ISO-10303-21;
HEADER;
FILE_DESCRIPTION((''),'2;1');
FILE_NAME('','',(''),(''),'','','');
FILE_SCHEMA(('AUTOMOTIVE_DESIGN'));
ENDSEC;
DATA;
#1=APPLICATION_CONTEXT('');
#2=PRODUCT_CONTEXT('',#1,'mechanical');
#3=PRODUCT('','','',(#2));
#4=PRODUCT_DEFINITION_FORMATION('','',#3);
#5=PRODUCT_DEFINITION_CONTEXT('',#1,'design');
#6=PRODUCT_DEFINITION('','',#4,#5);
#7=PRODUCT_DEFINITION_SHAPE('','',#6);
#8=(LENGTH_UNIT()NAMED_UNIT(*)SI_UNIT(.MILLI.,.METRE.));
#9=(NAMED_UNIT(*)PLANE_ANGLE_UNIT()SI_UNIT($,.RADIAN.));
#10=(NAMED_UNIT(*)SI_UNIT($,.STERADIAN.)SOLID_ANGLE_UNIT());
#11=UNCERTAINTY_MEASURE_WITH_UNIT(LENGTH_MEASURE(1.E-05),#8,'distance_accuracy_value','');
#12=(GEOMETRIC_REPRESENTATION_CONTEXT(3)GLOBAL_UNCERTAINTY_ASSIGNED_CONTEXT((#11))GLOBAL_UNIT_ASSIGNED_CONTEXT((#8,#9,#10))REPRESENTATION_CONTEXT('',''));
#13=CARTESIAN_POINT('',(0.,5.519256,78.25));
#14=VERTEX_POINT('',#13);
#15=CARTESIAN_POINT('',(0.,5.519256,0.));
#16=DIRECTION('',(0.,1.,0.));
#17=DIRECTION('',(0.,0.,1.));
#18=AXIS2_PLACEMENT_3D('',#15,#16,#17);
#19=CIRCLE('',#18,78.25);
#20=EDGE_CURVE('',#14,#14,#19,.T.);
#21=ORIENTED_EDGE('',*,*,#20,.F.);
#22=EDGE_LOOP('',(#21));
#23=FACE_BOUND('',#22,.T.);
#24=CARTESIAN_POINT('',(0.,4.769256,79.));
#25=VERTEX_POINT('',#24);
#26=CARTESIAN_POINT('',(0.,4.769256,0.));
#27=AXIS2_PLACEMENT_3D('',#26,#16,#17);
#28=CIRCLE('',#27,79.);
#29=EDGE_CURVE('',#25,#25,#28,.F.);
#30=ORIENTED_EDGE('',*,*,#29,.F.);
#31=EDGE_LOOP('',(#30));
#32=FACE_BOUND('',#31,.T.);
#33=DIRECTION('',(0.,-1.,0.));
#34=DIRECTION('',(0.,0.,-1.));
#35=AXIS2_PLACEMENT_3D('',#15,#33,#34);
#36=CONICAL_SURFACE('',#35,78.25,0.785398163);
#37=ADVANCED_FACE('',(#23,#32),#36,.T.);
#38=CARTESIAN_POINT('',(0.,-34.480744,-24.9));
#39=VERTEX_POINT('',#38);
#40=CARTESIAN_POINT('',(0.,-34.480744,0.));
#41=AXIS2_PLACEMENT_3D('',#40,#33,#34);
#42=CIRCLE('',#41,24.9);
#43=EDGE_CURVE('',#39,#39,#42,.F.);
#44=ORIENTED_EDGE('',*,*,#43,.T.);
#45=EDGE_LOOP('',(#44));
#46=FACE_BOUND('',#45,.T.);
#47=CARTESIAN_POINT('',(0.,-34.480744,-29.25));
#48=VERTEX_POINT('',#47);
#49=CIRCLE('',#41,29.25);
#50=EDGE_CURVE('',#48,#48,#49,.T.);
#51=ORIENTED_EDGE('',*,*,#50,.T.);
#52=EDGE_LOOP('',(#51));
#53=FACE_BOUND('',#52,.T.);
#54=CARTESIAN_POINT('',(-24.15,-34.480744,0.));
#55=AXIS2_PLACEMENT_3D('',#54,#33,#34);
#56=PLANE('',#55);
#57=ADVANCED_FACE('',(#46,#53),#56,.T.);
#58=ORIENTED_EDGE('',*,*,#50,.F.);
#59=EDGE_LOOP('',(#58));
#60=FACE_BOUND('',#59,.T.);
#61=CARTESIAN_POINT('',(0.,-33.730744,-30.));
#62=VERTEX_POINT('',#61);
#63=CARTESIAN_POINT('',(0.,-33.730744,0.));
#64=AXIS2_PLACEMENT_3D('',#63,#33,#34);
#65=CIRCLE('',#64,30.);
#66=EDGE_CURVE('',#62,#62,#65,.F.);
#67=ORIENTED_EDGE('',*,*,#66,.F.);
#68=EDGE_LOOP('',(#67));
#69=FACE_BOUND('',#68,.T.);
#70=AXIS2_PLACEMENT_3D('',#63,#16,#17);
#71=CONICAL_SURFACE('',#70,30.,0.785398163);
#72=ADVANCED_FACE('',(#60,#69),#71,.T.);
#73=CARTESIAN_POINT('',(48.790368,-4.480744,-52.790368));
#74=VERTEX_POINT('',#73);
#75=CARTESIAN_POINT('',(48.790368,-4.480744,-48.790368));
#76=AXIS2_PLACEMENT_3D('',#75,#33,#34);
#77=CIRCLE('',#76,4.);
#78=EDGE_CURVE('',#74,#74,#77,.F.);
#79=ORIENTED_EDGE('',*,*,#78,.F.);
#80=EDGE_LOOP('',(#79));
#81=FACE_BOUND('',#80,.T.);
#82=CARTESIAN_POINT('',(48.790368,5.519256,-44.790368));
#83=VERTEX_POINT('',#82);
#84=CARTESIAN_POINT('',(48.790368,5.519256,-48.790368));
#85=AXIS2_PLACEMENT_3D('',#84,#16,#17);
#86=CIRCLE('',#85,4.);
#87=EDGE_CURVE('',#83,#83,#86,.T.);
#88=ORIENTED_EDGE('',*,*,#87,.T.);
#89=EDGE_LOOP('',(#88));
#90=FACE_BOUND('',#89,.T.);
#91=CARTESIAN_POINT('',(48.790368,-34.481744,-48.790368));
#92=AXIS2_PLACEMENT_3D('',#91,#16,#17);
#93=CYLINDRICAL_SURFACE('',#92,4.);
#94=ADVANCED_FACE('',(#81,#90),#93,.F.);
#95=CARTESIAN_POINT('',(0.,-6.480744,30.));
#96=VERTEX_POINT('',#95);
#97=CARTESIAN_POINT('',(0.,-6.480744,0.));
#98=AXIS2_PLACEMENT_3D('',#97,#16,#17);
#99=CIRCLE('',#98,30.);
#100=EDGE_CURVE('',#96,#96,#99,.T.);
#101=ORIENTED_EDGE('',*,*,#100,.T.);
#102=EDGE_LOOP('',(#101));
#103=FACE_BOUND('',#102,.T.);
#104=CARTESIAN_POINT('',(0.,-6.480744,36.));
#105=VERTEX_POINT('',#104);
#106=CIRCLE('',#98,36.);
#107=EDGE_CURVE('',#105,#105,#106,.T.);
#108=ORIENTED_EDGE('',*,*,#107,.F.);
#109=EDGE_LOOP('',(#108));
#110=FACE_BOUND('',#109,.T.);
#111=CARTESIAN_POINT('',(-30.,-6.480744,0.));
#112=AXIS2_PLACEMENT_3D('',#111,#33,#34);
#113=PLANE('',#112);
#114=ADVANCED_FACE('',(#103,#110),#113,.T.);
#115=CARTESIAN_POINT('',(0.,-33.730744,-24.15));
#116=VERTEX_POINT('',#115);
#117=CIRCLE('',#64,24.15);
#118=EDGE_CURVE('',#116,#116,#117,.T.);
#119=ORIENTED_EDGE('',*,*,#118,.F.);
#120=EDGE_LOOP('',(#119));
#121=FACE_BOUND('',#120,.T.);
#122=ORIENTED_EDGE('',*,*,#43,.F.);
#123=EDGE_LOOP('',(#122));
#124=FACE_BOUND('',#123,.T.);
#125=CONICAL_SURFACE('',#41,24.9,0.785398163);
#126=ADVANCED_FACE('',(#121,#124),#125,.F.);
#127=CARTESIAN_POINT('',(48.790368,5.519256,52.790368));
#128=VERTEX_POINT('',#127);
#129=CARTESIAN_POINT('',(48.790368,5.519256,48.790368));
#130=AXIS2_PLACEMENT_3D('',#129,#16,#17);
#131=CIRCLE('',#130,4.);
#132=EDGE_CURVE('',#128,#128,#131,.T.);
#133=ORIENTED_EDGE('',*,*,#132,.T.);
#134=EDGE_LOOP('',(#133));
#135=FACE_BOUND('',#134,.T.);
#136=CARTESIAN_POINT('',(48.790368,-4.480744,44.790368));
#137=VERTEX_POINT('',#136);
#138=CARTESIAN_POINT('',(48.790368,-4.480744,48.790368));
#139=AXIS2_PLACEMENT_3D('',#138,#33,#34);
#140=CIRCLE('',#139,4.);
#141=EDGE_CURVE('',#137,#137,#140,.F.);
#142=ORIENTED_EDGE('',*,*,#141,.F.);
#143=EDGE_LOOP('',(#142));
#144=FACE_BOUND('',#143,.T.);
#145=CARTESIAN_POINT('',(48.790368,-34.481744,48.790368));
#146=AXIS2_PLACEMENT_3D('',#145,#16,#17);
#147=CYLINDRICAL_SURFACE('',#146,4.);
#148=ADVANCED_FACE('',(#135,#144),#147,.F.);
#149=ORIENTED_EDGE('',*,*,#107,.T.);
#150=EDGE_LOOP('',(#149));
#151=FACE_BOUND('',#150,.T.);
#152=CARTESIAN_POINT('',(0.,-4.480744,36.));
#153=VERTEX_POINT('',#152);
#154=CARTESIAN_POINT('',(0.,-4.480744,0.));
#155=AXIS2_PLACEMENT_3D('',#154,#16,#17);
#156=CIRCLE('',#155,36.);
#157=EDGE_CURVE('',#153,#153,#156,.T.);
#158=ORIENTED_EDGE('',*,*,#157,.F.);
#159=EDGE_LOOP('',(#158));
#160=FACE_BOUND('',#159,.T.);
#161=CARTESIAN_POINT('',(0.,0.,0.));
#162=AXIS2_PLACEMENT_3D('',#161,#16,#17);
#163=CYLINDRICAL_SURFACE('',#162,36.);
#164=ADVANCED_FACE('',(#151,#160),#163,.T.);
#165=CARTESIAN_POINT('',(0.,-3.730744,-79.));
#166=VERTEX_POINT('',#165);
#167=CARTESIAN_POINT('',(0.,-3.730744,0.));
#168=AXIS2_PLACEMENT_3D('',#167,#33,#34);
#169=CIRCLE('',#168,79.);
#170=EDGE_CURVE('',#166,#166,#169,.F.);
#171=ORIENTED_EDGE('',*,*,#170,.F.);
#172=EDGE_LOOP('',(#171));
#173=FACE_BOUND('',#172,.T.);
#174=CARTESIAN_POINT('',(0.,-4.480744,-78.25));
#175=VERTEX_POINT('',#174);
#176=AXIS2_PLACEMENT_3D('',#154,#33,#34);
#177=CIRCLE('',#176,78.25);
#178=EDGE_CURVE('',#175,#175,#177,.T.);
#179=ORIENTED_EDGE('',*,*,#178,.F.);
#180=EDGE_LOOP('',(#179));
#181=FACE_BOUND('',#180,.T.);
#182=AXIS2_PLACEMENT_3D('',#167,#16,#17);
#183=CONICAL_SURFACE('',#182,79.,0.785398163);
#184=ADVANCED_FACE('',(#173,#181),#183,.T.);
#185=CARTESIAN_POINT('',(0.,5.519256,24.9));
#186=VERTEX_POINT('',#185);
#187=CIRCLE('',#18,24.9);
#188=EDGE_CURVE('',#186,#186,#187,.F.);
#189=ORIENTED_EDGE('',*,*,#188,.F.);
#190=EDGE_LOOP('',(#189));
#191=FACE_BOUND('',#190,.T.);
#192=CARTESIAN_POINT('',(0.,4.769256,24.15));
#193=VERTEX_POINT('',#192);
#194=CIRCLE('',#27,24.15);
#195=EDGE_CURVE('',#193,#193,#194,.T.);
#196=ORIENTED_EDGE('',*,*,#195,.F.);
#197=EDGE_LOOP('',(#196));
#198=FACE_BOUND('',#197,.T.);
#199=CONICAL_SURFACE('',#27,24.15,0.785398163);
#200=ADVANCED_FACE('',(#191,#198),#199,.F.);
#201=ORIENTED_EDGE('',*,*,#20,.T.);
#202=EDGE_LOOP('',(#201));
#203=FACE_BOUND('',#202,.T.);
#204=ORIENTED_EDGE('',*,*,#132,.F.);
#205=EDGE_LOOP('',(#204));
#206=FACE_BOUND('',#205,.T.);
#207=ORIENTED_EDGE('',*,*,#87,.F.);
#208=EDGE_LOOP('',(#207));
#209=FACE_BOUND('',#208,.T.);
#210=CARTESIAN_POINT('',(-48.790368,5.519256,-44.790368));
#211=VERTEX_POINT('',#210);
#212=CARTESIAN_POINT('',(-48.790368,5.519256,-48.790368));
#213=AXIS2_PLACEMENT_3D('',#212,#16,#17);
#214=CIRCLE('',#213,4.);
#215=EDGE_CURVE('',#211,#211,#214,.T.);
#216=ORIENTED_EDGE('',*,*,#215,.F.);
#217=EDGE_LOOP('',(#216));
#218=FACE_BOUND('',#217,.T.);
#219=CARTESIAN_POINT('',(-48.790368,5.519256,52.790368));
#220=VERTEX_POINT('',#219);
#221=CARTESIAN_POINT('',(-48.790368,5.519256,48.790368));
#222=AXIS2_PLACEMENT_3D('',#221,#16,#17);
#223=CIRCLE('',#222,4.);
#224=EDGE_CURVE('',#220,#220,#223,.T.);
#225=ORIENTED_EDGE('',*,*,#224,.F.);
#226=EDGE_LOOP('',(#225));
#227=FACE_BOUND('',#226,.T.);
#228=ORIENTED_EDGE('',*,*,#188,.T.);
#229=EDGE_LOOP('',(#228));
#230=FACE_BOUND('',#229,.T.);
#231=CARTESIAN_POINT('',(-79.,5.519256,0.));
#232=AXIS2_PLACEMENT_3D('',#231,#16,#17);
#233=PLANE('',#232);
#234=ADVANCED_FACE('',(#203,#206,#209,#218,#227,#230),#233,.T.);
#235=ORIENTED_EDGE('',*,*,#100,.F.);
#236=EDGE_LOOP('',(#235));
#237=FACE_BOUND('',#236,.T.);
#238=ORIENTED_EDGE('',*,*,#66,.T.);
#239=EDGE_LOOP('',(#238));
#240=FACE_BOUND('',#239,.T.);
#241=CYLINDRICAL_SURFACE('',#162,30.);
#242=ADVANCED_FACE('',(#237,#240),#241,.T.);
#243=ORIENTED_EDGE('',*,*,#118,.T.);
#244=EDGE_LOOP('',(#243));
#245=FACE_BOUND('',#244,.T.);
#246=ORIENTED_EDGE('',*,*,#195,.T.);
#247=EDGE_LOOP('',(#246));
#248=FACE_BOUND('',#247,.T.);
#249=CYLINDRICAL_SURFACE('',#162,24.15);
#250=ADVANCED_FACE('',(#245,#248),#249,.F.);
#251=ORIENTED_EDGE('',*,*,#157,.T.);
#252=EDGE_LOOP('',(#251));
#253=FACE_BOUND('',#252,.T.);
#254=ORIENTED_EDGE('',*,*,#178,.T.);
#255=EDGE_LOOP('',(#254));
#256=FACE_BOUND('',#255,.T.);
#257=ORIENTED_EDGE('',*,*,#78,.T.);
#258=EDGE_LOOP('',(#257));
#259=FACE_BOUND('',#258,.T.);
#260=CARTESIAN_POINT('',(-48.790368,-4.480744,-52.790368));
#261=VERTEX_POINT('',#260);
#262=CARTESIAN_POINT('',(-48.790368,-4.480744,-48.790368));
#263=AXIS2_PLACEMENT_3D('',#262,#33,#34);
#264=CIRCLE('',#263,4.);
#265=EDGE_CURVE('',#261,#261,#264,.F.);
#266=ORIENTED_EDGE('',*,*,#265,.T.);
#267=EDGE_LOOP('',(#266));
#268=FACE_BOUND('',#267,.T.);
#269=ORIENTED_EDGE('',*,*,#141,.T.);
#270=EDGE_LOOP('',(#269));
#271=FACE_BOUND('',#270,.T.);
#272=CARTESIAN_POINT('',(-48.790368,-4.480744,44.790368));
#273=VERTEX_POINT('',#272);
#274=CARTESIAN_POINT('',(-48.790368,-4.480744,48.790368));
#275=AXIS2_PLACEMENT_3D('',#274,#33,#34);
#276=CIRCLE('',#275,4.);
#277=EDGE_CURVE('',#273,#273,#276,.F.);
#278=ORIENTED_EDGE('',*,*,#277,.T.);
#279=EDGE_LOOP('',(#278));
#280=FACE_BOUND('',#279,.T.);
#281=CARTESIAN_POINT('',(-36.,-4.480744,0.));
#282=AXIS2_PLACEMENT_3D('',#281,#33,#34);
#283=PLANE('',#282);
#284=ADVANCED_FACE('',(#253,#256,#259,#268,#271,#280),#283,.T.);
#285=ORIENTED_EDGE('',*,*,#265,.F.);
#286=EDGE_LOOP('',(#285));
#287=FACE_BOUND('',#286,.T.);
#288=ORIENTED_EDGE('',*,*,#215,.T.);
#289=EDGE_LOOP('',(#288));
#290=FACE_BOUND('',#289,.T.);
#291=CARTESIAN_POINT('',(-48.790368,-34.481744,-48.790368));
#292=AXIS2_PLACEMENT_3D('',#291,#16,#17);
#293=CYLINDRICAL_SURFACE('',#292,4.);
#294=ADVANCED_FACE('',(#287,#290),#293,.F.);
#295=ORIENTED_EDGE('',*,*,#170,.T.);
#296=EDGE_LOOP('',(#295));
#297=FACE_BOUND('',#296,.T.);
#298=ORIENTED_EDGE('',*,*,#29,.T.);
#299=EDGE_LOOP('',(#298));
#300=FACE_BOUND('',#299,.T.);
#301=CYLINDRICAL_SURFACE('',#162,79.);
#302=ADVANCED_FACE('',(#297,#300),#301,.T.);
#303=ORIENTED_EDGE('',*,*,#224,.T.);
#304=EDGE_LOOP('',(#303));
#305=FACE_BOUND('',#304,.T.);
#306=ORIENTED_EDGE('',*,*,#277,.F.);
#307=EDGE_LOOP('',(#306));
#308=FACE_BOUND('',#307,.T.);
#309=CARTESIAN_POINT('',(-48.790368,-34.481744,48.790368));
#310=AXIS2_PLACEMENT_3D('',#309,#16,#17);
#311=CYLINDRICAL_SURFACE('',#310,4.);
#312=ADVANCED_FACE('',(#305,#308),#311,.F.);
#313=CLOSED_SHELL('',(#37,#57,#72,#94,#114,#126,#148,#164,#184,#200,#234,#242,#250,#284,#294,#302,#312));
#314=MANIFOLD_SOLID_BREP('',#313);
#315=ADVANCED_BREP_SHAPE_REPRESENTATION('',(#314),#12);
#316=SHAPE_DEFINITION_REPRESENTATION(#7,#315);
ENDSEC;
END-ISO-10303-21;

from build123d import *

# Parameters (mm, degrees)
CUT_EXTRUDE1_REACH = 42
SKETCH2_R          = 4
CHAMFER1_SIZE      = 0.75


with BuildPart() as part:
    # Sketch1 → Revolve1 (revolve)
    with BuildSketch(Plane.XY):
        Polygon((-24.15, 5.519256014), (-24.15, -34.480743986), (-30, -34.480743986), (-30, -6.480743986), (-36, -6.480743986), (-36, -4.480743986), (-79, -4.480743986), (-79, 5.519256014), align=None)
    revolve(axis=Axis((0, 0, 0), (0, -1, 0)))

    # Sketch2 → Cut-Extrude1 (cut, up to next)
    with BuildSketch(Plane(origin=(0, 5.519256014, 0), x_dir=(1, 0, 0), z_dir=(0, 1, 0)), mode=Mode.PRIVATE) as cut_extrude1_sk1:
        with Locations((48.790367902, 48.790367902)):
            Circle(SKETCH2_R)
    cut_extrude1_tool1 = extrude(cut_extrude1_sk1.sketch, amount=-CUT_EXTRUDE1_REACH, mode=Mode.PRIVATE) & part.part
    add(cut_extrude1_tool1.solids().sort_by_distance((48.790368, 5.519256, -48.790368))[0], mode=Mode.SUBTRACT)
    # Sketch2 → Cut-Extrude1 (cut, up to next)
    with BuildSketch(Plane(origin=(0, 5.519256014, 0), x_dir=(1, 0, 0), z_dir=(0, 1, 0)), mode=Mode.PRIVATE) as cut_extrude1_sk2:
        with Locations((48.790367902, -48.790367902)):
            Circle(SKETCH2_R)
    cut_extrude1_tool2 = extrude(cut_extrude1_sk2.sketch, amount=-CUT_EXTRUDE1_REACH, mode=Mode.PRIVATE) & part.part
    add(cut_extrude1_tool2.solids().sort_by_distance((48.790368, 5.519256, 48.790368))[0], mode=Mode.SUBTRACT)
    # Sketch2 → Cut-Extrude1 (cut, up to next)
    with BuildSketch(Plane(origin=(0, 5.519256014, 0), x_dir=(1, 0, 0), z_dir=(0, 1, 0)), mode=Mode.PRIVATE) as cut_extrude1_sk3:
        with Locations((-48.790367902, -48.790367902)):
            Circle(SKETCH2_R)
    cut_extrude1_tool3 = extrude(cut_extrude1_sk3.sketch, amount=-CUT_EXTRUDE1_REACH, mode=Mode.PRIVATE) & part.part
    add(cut_extrude1_tool3.solids().sort_by_distance((-48.790368, 5.519256, 48.790368))[0], mode=Mode.SUBTRACT)
    # Sketch2 → Cut-Extrude1 (cut, up to next)
    with BuildSketch(Plane(origin=(0, 5.519256014, 0), x_dir=(1, 0, 0), z_dir=(0, 1, 0)), mode=Mode.PRIVATE) as cut_extrude1_sk4:
        with Locations((-48.790367902, 48.790367902)):
            Circle(SKETCH2_R)
    cut_extrude1_tool4 = extrude(cut_extrude1_sk4.sketch, amount=-CUT_EXTRUDE1_REACH, mode=Mode.PRIVATE) & part.part
    add(cut_extrude1_tool4.solids().sort_by_distance((-48.790368, 5.519256, -48.790368))[0], mode=Mode.SUBTRACT)

    # Chamfer1
    chamfer1_edges = [part.edges().sort_by_distance(p)[0] for p in [
        (79, 5.519256014, 0),
        (79, -4.480743986, 0),
        (30, -34.480743986, 0),
        (24.15, -34.480743986, 0),
        (24.15, 5.519256014, 0),
    ]]
    chamfer(chamfer1_edges, length=CHAMFER1_SIZE)


solid = part.part
